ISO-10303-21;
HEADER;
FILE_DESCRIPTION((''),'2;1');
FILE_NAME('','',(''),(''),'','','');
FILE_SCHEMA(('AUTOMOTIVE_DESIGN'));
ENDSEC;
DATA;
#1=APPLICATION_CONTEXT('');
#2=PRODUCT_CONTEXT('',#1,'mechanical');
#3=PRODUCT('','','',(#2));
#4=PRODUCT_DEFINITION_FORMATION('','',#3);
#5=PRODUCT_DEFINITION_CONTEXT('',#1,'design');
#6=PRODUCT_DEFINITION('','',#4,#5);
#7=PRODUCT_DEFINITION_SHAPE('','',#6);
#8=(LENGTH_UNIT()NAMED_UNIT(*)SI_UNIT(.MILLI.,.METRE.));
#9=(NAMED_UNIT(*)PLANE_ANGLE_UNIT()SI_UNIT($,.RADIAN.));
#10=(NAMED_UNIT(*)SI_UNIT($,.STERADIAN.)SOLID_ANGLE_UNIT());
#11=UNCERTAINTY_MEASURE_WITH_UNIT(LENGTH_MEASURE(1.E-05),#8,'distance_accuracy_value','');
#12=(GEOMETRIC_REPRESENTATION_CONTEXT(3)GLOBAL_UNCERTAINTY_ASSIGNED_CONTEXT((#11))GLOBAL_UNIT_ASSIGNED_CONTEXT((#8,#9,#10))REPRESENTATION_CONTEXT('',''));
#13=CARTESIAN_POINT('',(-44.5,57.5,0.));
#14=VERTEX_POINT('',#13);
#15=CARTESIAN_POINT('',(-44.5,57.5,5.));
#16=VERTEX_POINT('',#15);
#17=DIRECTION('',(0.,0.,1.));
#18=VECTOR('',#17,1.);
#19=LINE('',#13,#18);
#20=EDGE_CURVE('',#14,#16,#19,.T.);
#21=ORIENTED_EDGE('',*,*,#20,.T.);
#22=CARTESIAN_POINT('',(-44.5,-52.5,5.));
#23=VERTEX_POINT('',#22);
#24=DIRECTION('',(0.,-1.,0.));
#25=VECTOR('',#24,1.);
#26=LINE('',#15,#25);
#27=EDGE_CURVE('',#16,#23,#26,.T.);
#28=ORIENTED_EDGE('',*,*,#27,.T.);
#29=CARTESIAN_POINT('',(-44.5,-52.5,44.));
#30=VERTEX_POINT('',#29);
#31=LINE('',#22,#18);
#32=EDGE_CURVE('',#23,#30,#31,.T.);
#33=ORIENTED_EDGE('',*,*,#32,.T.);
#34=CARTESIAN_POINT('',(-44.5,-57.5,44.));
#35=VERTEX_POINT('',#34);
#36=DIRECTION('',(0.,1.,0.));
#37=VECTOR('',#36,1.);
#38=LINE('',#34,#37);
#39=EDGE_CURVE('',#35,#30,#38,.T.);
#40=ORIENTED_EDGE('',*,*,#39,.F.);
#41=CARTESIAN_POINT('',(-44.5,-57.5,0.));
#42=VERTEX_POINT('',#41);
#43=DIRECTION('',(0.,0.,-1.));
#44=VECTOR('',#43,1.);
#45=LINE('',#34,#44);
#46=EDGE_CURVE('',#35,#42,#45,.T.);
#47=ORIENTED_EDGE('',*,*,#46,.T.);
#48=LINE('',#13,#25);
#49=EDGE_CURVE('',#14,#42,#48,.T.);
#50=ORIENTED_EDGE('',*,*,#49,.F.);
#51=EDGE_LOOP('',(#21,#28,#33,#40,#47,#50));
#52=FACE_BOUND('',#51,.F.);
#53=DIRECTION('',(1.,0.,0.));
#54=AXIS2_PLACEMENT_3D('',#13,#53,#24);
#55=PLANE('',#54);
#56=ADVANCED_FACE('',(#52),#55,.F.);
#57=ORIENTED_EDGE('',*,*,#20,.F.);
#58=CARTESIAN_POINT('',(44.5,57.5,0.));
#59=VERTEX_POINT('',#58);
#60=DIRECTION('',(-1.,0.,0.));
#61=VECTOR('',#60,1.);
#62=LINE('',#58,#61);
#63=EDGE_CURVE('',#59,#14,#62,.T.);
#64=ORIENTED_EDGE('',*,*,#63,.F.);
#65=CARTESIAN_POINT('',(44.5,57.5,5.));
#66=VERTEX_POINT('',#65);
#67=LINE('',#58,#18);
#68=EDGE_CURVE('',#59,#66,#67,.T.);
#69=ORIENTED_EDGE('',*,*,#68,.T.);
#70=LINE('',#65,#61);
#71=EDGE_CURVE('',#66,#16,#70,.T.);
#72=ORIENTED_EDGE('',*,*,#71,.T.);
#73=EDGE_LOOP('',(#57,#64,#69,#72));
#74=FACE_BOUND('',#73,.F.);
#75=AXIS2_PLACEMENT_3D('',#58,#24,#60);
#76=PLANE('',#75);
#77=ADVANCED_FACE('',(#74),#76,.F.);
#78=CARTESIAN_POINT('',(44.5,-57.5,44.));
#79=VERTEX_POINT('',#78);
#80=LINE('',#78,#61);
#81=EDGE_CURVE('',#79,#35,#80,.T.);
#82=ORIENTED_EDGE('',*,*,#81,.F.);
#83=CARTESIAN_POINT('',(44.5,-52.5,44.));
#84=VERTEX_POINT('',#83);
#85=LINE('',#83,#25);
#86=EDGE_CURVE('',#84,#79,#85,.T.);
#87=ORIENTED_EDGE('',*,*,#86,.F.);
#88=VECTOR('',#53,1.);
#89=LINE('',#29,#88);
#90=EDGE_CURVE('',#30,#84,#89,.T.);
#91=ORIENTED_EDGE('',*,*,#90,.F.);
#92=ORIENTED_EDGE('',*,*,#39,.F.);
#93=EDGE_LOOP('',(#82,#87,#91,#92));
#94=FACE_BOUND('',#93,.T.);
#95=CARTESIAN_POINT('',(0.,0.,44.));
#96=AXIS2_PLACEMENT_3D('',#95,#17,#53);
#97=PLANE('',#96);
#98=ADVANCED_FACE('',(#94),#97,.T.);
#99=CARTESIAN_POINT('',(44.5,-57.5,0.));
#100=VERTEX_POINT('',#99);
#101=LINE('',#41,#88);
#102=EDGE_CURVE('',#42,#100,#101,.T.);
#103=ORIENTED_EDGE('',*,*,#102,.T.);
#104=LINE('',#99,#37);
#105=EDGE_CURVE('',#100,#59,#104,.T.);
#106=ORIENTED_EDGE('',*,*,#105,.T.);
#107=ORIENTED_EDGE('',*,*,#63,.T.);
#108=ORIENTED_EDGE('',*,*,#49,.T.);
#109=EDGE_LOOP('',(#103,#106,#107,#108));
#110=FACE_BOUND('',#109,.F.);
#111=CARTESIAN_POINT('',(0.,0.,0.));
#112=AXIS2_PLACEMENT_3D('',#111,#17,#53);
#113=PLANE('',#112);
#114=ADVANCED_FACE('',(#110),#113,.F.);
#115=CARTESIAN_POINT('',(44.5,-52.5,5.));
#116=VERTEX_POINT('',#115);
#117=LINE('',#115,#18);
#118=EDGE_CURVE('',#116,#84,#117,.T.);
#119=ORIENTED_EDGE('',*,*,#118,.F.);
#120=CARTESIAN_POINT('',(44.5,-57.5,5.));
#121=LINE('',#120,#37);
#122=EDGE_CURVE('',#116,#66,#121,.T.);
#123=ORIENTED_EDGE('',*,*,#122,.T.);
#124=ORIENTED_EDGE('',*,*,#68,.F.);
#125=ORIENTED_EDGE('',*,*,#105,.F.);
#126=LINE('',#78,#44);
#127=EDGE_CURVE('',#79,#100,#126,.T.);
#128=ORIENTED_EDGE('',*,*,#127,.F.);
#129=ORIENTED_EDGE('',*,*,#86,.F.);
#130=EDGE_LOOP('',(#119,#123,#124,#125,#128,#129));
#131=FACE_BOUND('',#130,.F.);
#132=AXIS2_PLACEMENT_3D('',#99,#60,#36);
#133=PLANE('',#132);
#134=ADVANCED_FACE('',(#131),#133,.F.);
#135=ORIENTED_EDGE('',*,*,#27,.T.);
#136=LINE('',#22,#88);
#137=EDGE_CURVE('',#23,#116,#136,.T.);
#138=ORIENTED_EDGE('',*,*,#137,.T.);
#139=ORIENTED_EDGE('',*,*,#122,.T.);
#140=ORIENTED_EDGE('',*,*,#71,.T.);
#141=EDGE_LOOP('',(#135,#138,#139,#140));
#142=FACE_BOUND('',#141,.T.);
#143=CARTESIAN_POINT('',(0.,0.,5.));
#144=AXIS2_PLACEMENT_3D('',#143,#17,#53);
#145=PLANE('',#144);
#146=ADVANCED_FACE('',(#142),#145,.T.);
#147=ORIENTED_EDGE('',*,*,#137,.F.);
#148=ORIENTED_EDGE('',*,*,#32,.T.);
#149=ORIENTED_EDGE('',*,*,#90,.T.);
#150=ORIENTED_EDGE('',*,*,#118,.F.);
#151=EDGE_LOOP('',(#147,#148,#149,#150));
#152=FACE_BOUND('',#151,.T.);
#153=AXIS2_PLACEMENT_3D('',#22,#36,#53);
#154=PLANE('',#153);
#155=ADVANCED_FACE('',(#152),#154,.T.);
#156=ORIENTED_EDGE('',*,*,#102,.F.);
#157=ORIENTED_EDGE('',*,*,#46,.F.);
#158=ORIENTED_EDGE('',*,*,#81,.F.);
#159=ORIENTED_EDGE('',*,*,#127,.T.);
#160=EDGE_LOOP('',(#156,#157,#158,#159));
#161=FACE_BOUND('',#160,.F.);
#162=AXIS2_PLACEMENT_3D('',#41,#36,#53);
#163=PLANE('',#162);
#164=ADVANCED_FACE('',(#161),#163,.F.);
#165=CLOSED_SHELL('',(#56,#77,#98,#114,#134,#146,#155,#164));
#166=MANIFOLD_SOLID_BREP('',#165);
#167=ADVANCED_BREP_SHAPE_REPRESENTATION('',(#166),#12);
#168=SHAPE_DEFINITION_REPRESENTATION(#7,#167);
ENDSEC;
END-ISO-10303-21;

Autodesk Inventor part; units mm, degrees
ref_plane "YZ Plane" through (0, 0, 0) normal (1, 0, 0) x (0, 1, 0)
ref_plane "XZ Plane" through (0, 0, 0) normal (0, 1, 0) x (-1, 0, 0)
ref_plane "XY Plane" through (0, 0, 0) normal (0, 0, 1) x (1, 0, 0)
sketch "Sketch1" plane through (0, 0, 0) normal (0, 0, 1) x (1, 0, 0)
  line L0 (44.5, 57.5) -> (-44.5, 57.5)
  line L1 (-44.5, 57.5) -> (-44.5, -57.5)
  line L2 (-44.5, -57.5) -> (44.5, -57.5)
  line L3 (44.5, -57.5) -> (44.5, 57.5)
  point P0 (0, 0)
  dimension "d0" = 89
  dimension "d3" = 115
  dimension "d4" = 57.5
  dimension "d5" = 44.5
extrude "Extrusion1" add sketch "Sketch1" along normal blind 5
sketch "Sketch2" plane through (0, 0, 5) normal (0, 0, 1) x (1, 0, 0)
  line L0 (-44.5, -52.5) -> (44.5, -52.5)
  line L1 (44.5, -52.5) -> (44.5, -57.5)
  line L2 (44.5, -57.5) -> (-44.5, -57.5)
  line L3 (-44.5, -57.5) -> (-44.5, -52.5)
  point P0 (0, 0)
  dimension "d8" = 89
  dimension "d9" = 5
extrude "Extrusion2" add sketch "Sketch2" along normal blind 39
equation "\"d4\" = 0.5 * d3"
equation "\"d5\" = 0.5 * d0"
properties part number "back_plate"
